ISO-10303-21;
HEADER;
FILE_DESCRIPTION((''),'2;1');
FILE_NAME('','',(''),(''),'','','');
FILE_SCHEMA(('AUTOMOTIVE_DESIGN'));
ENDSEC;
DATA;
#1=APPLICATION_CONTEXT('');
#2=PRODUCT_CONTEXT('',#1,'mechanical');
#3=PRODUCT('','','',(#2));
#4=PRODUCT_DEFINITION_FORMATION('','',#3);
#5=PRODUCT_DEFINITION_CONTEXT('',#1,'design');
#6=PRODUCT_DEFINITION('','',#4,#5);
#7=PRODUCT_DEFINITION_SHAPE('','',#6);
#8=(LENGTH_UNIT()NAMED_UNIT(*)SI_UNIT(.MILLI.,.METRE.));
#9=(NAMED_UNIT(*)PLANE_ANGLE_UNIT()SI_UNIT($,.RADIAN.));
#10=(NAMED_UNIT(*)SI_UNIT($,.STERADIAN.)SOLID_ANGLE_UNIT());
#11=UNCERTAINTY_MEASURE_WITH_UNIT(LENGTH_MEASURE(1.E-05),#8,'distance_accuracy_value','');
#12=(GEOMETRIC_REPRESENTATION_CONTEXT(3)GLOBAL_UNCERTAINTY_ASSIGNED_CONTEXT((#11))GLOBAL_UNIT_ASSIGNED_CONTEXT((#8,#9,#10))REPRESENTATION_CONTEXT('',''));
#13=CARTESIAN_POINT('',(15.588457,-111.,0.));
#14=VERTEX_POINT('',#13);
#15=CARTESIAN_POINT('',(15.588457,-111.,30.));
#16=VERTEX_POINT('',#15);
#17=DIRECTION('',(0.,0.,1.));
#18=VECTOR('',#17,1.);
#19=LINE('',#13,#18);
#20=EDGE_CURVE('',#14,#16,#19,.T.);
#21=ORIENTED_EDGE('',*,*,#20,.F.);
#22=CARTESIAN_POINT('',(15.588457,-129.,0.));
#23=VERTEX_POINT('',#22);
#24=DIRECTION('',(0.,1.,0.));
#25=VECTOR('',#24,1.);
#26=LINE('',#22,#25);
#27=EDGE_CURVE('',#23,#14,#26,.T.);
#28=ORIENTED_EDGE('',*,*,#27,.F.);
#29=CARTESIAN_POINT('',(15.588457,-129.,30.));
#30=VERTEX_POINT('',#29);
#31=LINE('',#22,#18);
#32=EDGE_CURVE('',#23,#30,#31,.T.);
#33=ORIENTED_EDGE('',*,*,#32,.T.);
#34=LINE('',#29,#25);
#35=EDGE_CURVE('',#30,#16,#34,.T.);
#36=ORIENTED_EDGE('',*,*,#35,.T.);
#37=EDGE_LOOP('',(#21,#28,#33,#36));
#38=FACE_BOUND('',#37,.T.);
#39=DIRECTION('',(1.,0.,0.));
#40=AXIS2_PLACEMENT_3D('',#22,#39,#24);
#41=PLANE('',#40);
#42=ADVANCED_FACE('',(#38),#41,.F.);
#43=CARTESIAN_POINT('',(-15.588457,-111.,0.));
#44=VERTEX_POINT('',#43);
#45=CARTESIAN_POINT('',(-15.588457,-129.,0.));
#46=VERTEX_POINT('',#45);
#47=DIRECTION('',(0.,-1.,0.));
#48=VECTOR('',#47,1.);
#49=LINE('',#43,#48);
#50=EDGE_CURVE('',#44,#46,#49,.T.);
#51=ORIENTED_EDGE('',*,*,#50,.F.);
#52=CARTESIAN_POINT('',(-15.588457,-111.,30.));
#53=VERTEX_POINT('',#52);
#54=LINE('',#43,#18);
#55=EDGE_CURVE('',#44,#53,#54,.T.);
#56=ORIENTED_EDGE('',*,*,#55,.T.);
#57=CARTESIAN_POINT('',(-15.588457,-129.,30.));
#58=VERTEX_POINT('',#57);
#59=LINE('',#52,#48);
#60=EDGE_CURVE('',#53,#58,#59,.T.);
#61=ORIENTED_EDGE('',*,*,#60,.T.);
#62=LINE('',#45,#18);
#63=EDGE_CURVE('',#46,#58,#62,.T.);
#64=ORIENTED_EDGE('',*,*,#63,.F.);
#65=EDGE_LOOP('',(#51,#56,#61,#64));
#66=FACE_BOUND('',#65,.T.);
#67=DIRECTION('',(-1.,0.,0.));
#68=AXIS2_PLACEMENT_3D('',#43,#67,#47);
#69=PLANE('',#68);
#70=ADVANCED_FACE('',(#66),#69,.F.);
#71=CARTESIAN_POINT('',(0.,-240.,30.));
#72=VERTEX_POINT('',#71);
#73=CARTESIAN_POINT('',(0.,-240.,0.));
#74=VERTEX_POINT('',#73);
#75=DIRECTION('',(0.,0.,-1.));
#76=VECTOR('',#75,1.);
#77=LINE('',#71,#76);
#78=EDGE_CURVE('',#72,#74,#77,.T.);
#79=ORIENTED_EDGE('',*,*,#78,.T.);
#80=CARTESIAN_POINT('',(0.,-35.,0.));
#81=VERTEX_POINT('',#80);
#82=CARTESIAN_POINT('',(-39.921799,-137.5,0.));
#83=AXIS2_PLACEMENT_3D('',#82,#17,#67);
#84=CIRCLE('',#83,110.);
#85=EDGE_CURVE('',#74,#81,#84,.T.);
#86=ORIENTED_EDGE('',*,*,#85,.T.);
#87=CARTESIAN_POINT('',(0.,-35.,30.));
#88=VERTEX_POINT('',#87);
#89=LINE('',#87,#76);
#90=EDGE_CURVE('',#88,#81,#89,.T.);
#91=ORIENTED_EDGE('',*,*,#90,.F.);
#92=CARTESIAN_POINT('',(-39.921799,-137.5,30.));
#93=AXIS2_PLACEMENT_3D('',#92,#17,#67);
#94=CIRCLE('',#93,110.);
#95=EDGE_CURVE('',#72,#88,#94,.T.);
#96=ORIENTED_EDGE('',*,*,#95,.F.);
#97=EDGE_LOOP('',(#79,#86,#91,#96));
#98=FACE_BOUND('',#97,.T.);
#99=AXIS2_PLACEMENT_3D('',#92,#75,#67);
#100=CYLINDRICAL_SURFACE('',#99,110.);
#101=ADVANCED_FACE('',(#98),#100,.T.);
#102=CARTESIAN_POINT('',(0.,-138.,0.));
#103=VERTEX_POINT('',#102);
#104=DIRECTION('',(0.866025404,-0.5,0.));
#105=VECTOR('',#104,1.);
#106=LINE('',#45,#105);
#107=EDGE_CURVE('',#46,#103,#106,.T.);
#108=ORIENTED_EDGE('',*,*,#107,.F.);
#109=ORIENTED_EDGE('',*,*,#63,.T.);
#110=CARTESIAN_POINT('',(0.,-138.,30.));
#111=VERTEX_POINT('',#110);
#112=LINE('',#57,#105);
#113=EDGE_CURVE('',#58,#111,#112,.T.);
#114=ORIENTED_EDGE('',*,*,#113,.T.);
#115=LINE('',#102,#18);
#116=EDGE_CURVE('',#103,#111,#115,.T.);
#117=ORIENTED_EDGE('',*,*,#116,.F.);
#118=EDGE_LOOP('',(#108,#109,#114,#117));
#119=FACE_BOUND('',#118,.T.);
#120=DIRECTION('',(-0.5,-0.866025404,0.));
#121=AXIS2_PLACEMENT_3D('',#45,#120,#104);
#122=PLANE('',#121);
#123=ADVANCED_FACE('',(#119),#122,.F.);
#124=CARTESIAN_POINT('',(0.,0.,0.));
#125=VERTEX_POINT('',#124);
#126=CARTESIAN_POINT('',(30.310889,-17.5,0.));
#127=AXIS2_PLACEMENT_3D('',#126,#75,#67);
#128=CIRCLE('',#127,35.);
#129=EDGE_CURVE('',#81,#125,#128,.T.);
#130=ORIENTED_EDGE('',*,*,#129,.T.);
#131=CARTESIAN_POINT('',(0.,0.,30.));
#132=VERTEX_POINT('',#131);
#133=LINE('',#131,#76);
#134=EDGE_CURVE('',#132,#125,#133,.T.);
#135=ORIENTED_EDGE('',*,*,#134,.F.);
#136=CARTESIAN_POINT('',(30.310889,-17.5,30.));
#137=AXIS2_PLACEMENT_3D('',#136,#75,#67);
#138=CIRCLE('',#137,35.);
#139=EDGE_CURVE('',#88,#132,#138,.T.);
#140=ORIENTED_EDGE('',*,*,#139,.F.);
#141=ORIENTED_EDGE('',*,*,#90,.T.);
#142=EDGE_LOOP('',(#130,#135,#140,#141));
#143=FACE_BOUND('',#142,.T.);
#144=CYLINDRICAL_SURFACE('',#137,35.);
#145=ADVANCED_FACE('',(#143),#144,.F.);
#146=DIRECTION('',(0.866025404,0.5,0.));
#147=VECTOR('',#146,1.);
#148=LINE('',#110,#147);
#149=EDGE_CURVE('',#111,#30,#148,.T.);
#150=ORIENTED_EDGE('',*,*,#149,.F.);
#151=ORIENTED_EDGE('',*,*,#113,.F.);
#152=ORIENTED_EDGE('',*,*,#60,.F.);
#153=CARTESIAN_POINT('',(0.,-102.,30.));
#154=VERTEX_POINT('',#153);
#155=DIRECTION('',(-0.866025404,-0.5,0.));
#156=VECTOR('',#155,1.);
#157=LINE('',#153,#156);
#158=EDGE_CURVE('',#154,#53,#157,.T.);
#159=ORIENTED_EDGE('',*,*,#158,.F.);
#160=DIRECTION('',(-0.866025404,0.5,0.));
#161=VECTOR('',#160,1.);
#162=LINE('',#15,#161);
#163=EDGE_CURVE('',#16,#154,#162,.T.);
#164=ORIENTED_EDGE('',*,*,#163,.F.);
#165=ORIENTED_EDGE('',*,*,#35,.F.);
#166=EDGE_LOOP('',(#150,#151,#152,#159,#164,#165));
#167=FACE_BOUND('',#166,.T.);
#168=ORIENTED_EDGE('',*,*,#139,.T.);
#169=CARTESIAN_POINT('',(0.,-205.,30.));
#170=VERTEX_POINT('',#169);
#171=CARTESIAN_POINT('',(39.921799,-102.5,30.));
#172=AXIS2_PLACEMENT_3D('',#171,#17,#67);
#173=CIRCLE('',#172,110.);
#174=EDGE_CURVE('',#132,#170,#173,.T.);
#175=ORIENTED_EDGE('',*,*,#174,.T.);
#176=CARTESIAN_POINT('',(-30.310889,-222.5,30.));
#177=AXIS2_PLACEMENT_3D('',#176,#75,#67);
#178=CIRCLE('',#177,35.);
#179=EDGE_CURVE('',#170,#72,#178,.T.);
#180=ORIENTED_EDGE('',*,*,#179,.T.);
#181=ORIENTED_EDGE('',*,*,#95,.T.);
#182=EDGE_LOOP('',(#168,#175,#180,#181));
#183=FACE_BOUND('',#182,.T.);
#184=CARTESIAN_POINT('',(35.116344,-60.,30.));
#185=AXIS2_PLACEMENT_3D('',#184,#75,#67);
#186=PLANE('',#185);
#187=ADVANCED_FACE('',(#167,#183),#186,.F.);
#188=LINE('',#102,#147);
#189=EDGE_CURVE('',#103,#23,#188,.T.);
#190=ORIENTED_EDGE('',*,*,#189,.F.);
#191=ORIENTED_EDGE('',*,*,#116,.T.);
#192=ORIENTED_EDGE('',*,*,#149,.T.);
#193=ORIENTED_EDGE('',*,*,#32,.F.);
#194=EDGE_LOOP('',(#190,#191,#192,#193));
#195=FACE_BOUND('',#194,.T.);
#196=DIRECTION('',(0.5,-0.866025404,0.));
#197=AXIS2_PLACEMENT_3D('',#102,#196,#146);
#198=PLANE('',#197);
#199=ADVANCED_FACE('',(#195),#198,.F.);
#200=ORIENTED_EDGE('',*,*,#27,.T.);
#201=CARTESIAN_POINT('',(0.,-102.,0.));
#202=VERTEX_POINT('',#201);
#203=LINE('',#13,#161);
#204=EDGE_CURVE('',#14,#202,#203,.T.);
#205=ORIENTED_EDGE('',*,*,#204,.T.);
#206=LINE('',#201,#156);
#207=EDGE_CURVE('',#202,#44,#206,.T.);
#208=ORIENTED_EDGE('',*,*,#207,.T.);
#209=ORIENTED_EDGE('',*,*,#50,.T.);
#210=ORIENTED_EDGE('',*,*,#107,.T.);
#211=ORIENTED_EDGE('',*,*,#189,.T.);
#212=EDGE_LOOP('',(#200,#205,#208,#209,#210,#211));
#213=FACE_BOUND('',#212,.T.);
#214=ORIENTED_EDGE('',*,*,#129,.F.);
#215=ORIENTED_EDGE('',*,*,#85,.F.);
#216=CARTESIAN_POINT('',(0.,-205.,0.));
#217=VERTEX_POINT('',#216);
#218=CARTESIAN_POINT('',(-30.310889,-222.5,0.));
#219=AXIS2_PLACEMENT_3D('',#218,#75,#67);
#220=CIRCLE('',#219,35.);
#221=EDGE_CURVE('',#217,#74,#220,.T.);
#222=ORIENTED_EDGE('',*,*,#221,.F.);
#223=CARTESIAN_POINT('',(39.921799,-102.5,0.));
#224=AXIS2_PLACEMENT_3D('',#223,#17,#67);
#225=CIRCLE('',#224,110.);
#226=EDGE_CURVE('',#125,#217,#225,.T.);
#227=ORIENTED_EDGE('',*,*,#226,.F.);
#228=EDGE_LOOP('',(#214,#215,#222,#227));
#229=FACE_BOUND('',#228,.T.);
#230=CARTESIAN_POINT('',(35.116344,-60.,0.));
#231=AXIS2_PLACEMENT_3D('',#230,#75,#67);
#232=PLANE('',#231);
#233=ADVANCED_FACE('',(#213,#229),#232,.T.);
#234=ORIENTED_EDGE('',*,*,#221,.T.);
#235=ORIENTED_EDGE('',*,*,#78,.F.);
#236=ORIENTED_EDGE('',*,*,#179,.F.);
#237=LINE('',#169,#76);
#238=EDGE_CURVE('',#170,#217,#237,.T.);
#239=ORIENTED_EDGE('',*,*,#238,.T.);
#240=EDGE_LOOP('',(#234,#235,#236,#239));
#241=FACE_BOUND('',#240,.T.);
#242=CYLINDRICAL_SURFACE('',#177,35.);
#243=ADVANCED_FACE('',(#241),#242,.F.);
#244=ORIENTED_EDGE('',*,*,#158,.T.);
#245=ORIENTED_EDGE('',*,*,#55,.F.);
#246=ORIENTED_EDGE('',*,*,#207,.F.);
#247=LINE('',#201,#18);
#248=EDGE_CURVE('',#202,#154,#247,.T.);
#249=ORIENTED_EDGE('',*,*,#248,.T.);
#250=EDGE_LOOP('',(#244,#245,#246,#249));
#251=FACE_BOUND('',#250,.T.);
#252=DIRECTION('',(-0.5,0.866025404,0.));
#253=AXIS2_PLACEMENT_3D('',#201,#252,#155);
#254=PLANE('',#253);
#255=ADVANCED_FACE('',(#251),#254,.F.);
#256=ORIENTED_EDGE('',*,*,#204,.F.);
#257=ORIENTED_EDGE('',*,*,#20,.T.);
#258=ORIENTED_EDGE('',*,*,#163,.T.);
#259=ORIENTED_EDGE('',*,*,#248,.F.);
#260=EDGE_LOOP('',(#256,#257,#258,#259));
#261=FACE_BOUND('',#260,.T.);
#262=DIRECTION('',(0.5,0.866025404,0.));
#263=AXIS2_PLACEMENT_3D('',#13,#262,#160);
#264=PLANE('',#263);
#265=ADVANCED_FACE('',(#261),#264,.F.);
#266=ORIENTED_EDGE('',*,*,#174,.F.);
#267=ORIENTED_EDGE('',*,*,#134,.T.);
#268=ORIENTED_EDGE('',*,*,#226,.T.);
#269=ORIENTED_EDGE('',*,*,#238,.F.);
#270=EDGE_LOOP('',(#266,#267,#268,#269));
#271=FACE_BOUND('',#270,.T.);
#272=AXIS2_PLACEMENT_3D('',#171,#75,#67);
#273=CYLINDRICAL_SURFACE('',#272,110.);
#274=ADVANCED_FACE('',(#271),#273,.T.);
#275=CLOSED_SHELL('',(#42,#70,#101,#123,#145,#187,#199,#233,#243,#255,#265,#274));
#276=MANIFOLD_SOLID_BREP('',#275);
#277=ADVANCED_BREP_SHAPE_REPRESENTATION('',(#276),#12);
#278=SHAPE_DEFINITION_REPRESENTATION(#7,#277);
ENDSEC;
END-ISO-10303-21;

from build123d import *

# Parameters (mm, degrees)
BOSS_EXTRU_2_DEPTH      = 30
ENL_V_MAT_EXTRU_1_DEPTH = 252.815317877


with BuildPart() as part:
    # Esquisse1 → Boss.-Extru.2 (new body)
    with BuildSketch(Plane.XY):
        with BuildLine():
            ThreePointArc((0, -205), (-70.078201443, -102.5), (0, 0))
            ThreePointArc((0, 0), (-4.689110868, -17.5), (0, -35))
            ThreePointArc((0, -35), (70.078201443, -137.5), (0, -240))
            ThreePointArc((0, -240), (4.689110868, -222.5), (0, -205))
        make_face()
    extrude(amount=BOSS_EXTRU_2_DEPTH)

    # Esquisse2 → Enlèv. mat.-Extru.1 (cut, through all)
    with BuildSketch(Plane.XY.offset(30)):
        Polygon((15.588457268, -111), (0, -102), (-15.588457268, -111), (-15.588457268, -129), (0, -138), (15.588457268, -129), align=None)
    extrude(amount=-ENL_V_MAT_EXTRU_1_DEPTH, mode=Mode.SUBTRACT)


solid = part.part
